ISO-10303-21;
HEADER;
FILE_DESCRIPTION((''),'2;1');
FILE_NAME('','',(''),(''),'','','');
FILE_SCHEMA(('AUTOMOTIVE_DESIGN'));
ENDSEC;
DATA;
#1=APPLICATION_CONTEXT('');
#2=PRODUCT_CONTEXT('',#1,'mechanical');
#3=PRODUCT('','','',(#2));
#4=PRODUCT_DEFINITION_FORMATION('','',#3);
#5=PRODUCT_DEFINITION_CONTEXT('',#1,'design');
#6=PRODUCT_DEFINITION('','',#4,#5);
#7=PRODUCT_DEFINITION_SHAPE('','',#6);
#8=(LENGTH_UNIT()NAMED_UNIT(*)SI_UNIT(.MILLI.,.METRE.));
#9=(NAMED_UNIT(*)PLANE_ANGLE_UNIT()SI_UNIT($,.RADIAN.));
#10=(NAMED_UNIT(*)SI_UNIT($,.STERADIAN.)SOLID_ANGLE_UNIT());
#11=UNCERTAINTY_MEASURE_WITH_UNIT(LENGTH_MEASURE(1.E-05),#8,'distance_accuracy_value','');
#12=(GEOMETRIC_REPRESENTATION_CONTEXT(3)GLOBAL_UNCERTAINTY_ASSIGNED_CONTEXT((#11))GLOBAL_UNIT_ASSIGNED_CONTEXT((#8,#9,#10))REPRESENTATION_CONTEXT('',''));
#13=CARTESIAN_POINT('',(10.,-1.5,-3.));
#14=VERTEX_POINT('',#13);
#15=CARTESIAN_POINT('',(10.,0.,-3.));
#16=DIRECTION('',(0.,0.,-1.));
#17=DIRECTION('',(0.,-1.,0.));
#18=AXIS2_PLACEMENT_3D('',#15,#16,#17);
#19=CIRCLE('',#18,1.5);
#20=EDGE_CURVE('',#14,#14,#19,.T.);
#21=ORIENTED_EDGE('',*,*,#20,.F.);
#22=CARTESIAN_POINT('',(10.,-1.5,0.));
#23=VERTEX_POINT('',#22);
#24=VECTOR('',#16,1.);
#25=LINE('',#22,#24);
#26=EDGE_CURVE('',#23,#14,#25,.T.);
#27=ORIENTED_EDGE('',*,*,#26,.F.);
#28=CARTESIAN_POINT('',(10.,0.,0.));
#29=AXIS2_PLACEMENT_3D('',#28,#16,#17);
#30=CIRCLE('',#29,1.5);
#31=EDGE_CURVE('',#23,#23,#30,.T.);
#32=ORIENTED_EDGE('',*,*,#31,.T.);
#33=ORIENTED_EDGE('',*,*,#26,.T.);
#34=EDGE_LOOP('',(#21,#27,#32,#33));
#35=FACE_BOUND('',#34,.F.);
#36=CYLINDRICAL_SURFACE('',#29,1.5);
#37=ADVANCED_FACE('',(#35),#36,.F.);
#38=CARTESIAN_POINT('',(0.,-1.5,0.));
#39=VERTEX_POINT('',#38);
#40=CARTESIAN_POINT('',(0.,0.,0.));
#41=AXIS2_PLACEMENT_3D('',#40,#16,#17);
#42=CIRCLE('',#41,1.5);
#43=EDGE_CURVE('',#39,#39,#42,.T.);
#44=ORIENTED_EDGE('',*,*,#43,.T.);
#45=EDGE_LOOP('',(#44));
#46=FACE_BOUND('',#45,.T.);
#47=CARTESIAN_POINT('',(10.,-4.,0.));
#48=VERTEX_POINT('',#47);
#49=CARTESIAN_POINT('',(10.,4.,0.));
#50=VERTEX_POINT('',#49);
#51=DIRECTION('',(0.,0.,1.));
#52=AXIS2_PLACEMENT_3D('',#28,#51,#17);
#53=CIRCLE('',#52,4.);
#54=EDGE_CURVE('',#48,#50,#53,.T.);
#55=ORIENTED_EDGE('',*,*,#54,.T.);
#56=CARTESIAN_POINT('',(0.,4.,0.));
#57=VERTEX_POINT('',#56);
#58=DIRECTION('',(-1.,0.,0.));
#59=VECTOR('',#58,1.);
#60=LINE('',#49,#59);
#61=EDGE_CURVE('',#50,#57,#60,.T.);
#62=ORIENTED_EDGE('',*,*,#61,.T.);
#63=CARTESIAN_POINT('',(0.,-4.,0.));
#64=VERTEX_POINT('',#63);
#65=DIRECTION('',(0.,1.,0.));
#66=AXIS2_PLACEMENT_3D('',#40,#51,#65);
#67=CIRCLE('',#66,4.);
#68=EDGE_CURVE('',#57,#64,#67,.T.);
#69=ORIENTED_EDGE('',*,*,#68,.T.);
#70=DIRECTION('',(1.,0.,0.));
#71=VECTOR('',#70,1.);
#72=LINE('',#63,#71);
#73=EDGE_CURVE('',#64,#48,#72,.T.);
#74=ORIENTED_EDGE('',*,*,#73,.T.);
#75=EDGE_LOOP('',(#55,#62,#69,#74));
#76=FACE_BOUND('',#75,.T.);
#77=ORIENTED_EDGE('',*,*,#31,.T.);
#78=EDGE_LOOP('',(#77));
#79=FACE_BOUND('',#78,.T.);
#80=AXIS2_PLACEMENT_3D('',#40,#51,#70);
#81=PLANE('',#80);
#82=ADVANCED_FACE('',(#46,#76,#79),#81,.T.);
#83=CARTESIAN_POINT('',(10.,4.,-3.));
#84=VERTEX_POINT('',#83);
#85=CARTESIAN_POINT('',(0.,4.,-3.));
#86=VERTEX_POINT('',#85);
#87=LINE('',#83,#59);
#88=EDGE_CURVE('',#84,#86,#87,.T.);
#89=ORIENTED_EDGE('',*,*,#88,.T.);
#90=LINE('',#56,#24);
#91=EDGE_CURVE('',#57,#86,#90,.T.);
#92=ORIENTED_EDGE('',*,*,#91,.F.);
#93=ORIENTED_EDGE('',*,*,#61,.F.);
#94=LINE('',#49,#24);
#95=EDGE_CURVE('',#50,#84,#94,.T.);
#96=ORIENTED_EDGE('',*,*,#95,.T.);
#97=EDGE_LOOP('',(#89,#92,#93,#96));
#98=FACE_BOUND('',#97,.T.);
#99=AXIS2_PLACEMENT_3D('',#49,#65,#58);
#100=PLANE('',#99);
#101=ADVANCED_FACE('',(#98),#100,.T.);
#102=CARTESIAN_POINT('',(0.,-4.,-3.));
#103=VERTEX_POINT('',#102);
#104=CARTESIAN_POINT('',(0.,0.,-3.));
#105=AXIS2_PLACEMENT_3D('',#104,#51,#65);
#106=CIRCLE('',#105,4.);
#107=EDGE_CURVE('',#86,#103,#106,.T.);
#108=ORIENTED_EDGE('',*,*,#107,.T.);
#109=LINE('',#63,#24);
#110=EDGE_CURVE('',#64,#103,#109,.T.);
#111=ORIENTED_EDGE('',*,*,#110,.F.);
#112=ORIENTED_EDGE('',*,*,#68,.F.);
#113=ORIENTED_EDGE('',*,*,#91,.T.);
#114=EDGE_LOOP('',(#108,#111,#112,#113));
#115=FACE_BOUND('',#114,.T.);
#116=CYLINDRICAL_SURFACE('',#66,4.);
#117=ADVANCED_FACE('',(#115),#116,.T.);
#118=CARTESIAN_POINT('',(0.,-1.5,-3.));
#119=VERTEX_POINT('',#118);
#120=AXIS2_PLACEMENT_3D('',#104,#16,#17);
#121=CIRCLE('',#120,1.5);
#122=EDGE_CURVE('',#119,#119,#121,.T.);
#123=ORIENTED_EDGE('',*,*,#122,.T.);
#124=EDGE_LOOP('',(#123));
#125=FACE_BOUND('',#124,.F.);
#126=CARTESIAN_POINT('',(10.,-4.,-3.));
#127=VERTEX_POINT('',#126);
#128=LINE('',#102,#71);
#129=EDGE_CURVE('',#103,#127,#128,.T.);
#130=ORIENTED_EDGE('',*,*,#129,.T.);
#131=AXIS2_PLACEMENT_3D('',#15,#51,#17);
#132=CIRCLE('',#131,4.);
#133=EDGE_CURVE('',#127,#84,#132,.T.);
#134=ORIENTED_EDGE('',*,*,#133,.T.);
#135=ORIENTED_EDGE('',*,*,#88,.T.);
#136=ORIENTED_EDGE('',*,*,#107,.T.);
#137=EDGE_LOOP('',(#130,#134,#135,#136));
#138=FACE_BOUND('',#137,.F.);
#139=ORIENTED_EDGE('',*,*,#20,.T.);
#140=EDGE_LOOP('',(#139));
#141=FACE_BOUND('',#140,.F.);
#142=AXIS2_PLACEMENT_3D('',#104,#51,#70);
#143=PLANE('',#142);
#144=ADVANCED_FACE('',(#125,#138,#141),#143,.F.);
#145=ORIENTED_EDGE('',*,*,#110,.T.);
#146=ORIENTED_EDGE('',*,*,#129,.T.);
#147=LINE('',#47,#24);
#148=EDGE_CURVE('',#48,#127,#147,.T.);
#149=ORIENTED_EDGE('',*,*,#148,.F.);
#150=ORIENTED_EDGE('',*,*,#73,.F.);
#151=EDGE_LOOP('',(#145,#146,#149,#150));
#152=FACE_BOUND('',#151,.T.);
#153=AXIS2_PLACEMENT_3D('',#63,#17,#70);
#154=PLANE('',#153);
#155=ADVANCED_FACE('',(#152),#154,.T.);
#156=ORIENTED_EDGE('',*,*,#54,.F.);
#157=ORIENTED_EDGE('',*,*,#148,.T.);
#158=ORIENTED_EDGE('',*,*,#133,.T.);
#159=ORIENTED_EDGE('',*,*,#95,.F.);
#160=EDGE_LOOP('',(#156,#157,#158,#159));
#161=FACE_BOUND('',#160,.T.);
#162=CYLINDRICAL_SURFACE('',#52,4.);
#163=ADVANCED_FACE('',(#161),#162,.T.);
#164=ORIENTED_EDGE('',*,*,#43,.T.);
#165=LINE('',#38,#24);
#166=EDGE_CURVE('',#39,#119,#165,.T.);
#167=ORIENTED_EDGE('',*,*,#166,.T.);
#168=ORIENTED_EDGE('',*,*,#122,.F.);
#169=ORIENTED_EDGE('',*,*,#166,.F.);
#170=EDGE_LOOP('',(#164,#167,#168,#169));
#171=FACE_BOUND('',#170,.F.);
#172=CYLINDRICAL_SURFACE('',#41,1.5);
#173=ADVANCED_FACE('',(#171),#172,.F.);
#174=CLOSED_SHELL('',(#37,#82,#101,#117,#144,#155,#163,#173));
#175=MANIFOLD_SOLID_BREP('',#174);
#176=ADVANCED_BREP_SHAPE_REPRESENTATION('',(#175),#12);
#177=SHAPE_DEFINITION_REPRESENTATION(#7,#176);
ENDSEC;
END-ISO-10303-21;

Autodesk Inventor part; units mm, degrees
ref_plane "YZ Plane" through (0, 0, 0) normal (1, 0, 0) x (0, 1, 0)
ref_plane "XZ Plane" through (0, 0, 0) normal (0, 1, 0) x (-1, 0, 0)
ref_plane "XY Plane" through (0, 0, 0) normal (0, 0, 1) x (1, 0, 0)
sketch "Sketch1" plane through (0, 0, 0) normal (0, 0, 1) x (1, 0, 0)
  line L0 (0, 0) -> (10, 0) construction
  line L1 (0, -4) -> (10, -4)
  line L2 (10, 4) -> (0, 4)
  arc A0 (0, 4) -> (0, -4) centre (0, 0) ccw
  arc A1 (10, -4) -> (10, 4) centre (10, 0) ccw
  point P0 (5, 0)
  dimension "d0" = 10
  dimension "d1" = 4
extrude "Extrusion1" add sketch "Sketch1" against normal blind 3
hole "Hole1" at (0, 0, 0) at (10, 0, 0) direction (0, 0, -1) diameter 3 depth 8 tip angle 118
properties part number "Updown_link"
